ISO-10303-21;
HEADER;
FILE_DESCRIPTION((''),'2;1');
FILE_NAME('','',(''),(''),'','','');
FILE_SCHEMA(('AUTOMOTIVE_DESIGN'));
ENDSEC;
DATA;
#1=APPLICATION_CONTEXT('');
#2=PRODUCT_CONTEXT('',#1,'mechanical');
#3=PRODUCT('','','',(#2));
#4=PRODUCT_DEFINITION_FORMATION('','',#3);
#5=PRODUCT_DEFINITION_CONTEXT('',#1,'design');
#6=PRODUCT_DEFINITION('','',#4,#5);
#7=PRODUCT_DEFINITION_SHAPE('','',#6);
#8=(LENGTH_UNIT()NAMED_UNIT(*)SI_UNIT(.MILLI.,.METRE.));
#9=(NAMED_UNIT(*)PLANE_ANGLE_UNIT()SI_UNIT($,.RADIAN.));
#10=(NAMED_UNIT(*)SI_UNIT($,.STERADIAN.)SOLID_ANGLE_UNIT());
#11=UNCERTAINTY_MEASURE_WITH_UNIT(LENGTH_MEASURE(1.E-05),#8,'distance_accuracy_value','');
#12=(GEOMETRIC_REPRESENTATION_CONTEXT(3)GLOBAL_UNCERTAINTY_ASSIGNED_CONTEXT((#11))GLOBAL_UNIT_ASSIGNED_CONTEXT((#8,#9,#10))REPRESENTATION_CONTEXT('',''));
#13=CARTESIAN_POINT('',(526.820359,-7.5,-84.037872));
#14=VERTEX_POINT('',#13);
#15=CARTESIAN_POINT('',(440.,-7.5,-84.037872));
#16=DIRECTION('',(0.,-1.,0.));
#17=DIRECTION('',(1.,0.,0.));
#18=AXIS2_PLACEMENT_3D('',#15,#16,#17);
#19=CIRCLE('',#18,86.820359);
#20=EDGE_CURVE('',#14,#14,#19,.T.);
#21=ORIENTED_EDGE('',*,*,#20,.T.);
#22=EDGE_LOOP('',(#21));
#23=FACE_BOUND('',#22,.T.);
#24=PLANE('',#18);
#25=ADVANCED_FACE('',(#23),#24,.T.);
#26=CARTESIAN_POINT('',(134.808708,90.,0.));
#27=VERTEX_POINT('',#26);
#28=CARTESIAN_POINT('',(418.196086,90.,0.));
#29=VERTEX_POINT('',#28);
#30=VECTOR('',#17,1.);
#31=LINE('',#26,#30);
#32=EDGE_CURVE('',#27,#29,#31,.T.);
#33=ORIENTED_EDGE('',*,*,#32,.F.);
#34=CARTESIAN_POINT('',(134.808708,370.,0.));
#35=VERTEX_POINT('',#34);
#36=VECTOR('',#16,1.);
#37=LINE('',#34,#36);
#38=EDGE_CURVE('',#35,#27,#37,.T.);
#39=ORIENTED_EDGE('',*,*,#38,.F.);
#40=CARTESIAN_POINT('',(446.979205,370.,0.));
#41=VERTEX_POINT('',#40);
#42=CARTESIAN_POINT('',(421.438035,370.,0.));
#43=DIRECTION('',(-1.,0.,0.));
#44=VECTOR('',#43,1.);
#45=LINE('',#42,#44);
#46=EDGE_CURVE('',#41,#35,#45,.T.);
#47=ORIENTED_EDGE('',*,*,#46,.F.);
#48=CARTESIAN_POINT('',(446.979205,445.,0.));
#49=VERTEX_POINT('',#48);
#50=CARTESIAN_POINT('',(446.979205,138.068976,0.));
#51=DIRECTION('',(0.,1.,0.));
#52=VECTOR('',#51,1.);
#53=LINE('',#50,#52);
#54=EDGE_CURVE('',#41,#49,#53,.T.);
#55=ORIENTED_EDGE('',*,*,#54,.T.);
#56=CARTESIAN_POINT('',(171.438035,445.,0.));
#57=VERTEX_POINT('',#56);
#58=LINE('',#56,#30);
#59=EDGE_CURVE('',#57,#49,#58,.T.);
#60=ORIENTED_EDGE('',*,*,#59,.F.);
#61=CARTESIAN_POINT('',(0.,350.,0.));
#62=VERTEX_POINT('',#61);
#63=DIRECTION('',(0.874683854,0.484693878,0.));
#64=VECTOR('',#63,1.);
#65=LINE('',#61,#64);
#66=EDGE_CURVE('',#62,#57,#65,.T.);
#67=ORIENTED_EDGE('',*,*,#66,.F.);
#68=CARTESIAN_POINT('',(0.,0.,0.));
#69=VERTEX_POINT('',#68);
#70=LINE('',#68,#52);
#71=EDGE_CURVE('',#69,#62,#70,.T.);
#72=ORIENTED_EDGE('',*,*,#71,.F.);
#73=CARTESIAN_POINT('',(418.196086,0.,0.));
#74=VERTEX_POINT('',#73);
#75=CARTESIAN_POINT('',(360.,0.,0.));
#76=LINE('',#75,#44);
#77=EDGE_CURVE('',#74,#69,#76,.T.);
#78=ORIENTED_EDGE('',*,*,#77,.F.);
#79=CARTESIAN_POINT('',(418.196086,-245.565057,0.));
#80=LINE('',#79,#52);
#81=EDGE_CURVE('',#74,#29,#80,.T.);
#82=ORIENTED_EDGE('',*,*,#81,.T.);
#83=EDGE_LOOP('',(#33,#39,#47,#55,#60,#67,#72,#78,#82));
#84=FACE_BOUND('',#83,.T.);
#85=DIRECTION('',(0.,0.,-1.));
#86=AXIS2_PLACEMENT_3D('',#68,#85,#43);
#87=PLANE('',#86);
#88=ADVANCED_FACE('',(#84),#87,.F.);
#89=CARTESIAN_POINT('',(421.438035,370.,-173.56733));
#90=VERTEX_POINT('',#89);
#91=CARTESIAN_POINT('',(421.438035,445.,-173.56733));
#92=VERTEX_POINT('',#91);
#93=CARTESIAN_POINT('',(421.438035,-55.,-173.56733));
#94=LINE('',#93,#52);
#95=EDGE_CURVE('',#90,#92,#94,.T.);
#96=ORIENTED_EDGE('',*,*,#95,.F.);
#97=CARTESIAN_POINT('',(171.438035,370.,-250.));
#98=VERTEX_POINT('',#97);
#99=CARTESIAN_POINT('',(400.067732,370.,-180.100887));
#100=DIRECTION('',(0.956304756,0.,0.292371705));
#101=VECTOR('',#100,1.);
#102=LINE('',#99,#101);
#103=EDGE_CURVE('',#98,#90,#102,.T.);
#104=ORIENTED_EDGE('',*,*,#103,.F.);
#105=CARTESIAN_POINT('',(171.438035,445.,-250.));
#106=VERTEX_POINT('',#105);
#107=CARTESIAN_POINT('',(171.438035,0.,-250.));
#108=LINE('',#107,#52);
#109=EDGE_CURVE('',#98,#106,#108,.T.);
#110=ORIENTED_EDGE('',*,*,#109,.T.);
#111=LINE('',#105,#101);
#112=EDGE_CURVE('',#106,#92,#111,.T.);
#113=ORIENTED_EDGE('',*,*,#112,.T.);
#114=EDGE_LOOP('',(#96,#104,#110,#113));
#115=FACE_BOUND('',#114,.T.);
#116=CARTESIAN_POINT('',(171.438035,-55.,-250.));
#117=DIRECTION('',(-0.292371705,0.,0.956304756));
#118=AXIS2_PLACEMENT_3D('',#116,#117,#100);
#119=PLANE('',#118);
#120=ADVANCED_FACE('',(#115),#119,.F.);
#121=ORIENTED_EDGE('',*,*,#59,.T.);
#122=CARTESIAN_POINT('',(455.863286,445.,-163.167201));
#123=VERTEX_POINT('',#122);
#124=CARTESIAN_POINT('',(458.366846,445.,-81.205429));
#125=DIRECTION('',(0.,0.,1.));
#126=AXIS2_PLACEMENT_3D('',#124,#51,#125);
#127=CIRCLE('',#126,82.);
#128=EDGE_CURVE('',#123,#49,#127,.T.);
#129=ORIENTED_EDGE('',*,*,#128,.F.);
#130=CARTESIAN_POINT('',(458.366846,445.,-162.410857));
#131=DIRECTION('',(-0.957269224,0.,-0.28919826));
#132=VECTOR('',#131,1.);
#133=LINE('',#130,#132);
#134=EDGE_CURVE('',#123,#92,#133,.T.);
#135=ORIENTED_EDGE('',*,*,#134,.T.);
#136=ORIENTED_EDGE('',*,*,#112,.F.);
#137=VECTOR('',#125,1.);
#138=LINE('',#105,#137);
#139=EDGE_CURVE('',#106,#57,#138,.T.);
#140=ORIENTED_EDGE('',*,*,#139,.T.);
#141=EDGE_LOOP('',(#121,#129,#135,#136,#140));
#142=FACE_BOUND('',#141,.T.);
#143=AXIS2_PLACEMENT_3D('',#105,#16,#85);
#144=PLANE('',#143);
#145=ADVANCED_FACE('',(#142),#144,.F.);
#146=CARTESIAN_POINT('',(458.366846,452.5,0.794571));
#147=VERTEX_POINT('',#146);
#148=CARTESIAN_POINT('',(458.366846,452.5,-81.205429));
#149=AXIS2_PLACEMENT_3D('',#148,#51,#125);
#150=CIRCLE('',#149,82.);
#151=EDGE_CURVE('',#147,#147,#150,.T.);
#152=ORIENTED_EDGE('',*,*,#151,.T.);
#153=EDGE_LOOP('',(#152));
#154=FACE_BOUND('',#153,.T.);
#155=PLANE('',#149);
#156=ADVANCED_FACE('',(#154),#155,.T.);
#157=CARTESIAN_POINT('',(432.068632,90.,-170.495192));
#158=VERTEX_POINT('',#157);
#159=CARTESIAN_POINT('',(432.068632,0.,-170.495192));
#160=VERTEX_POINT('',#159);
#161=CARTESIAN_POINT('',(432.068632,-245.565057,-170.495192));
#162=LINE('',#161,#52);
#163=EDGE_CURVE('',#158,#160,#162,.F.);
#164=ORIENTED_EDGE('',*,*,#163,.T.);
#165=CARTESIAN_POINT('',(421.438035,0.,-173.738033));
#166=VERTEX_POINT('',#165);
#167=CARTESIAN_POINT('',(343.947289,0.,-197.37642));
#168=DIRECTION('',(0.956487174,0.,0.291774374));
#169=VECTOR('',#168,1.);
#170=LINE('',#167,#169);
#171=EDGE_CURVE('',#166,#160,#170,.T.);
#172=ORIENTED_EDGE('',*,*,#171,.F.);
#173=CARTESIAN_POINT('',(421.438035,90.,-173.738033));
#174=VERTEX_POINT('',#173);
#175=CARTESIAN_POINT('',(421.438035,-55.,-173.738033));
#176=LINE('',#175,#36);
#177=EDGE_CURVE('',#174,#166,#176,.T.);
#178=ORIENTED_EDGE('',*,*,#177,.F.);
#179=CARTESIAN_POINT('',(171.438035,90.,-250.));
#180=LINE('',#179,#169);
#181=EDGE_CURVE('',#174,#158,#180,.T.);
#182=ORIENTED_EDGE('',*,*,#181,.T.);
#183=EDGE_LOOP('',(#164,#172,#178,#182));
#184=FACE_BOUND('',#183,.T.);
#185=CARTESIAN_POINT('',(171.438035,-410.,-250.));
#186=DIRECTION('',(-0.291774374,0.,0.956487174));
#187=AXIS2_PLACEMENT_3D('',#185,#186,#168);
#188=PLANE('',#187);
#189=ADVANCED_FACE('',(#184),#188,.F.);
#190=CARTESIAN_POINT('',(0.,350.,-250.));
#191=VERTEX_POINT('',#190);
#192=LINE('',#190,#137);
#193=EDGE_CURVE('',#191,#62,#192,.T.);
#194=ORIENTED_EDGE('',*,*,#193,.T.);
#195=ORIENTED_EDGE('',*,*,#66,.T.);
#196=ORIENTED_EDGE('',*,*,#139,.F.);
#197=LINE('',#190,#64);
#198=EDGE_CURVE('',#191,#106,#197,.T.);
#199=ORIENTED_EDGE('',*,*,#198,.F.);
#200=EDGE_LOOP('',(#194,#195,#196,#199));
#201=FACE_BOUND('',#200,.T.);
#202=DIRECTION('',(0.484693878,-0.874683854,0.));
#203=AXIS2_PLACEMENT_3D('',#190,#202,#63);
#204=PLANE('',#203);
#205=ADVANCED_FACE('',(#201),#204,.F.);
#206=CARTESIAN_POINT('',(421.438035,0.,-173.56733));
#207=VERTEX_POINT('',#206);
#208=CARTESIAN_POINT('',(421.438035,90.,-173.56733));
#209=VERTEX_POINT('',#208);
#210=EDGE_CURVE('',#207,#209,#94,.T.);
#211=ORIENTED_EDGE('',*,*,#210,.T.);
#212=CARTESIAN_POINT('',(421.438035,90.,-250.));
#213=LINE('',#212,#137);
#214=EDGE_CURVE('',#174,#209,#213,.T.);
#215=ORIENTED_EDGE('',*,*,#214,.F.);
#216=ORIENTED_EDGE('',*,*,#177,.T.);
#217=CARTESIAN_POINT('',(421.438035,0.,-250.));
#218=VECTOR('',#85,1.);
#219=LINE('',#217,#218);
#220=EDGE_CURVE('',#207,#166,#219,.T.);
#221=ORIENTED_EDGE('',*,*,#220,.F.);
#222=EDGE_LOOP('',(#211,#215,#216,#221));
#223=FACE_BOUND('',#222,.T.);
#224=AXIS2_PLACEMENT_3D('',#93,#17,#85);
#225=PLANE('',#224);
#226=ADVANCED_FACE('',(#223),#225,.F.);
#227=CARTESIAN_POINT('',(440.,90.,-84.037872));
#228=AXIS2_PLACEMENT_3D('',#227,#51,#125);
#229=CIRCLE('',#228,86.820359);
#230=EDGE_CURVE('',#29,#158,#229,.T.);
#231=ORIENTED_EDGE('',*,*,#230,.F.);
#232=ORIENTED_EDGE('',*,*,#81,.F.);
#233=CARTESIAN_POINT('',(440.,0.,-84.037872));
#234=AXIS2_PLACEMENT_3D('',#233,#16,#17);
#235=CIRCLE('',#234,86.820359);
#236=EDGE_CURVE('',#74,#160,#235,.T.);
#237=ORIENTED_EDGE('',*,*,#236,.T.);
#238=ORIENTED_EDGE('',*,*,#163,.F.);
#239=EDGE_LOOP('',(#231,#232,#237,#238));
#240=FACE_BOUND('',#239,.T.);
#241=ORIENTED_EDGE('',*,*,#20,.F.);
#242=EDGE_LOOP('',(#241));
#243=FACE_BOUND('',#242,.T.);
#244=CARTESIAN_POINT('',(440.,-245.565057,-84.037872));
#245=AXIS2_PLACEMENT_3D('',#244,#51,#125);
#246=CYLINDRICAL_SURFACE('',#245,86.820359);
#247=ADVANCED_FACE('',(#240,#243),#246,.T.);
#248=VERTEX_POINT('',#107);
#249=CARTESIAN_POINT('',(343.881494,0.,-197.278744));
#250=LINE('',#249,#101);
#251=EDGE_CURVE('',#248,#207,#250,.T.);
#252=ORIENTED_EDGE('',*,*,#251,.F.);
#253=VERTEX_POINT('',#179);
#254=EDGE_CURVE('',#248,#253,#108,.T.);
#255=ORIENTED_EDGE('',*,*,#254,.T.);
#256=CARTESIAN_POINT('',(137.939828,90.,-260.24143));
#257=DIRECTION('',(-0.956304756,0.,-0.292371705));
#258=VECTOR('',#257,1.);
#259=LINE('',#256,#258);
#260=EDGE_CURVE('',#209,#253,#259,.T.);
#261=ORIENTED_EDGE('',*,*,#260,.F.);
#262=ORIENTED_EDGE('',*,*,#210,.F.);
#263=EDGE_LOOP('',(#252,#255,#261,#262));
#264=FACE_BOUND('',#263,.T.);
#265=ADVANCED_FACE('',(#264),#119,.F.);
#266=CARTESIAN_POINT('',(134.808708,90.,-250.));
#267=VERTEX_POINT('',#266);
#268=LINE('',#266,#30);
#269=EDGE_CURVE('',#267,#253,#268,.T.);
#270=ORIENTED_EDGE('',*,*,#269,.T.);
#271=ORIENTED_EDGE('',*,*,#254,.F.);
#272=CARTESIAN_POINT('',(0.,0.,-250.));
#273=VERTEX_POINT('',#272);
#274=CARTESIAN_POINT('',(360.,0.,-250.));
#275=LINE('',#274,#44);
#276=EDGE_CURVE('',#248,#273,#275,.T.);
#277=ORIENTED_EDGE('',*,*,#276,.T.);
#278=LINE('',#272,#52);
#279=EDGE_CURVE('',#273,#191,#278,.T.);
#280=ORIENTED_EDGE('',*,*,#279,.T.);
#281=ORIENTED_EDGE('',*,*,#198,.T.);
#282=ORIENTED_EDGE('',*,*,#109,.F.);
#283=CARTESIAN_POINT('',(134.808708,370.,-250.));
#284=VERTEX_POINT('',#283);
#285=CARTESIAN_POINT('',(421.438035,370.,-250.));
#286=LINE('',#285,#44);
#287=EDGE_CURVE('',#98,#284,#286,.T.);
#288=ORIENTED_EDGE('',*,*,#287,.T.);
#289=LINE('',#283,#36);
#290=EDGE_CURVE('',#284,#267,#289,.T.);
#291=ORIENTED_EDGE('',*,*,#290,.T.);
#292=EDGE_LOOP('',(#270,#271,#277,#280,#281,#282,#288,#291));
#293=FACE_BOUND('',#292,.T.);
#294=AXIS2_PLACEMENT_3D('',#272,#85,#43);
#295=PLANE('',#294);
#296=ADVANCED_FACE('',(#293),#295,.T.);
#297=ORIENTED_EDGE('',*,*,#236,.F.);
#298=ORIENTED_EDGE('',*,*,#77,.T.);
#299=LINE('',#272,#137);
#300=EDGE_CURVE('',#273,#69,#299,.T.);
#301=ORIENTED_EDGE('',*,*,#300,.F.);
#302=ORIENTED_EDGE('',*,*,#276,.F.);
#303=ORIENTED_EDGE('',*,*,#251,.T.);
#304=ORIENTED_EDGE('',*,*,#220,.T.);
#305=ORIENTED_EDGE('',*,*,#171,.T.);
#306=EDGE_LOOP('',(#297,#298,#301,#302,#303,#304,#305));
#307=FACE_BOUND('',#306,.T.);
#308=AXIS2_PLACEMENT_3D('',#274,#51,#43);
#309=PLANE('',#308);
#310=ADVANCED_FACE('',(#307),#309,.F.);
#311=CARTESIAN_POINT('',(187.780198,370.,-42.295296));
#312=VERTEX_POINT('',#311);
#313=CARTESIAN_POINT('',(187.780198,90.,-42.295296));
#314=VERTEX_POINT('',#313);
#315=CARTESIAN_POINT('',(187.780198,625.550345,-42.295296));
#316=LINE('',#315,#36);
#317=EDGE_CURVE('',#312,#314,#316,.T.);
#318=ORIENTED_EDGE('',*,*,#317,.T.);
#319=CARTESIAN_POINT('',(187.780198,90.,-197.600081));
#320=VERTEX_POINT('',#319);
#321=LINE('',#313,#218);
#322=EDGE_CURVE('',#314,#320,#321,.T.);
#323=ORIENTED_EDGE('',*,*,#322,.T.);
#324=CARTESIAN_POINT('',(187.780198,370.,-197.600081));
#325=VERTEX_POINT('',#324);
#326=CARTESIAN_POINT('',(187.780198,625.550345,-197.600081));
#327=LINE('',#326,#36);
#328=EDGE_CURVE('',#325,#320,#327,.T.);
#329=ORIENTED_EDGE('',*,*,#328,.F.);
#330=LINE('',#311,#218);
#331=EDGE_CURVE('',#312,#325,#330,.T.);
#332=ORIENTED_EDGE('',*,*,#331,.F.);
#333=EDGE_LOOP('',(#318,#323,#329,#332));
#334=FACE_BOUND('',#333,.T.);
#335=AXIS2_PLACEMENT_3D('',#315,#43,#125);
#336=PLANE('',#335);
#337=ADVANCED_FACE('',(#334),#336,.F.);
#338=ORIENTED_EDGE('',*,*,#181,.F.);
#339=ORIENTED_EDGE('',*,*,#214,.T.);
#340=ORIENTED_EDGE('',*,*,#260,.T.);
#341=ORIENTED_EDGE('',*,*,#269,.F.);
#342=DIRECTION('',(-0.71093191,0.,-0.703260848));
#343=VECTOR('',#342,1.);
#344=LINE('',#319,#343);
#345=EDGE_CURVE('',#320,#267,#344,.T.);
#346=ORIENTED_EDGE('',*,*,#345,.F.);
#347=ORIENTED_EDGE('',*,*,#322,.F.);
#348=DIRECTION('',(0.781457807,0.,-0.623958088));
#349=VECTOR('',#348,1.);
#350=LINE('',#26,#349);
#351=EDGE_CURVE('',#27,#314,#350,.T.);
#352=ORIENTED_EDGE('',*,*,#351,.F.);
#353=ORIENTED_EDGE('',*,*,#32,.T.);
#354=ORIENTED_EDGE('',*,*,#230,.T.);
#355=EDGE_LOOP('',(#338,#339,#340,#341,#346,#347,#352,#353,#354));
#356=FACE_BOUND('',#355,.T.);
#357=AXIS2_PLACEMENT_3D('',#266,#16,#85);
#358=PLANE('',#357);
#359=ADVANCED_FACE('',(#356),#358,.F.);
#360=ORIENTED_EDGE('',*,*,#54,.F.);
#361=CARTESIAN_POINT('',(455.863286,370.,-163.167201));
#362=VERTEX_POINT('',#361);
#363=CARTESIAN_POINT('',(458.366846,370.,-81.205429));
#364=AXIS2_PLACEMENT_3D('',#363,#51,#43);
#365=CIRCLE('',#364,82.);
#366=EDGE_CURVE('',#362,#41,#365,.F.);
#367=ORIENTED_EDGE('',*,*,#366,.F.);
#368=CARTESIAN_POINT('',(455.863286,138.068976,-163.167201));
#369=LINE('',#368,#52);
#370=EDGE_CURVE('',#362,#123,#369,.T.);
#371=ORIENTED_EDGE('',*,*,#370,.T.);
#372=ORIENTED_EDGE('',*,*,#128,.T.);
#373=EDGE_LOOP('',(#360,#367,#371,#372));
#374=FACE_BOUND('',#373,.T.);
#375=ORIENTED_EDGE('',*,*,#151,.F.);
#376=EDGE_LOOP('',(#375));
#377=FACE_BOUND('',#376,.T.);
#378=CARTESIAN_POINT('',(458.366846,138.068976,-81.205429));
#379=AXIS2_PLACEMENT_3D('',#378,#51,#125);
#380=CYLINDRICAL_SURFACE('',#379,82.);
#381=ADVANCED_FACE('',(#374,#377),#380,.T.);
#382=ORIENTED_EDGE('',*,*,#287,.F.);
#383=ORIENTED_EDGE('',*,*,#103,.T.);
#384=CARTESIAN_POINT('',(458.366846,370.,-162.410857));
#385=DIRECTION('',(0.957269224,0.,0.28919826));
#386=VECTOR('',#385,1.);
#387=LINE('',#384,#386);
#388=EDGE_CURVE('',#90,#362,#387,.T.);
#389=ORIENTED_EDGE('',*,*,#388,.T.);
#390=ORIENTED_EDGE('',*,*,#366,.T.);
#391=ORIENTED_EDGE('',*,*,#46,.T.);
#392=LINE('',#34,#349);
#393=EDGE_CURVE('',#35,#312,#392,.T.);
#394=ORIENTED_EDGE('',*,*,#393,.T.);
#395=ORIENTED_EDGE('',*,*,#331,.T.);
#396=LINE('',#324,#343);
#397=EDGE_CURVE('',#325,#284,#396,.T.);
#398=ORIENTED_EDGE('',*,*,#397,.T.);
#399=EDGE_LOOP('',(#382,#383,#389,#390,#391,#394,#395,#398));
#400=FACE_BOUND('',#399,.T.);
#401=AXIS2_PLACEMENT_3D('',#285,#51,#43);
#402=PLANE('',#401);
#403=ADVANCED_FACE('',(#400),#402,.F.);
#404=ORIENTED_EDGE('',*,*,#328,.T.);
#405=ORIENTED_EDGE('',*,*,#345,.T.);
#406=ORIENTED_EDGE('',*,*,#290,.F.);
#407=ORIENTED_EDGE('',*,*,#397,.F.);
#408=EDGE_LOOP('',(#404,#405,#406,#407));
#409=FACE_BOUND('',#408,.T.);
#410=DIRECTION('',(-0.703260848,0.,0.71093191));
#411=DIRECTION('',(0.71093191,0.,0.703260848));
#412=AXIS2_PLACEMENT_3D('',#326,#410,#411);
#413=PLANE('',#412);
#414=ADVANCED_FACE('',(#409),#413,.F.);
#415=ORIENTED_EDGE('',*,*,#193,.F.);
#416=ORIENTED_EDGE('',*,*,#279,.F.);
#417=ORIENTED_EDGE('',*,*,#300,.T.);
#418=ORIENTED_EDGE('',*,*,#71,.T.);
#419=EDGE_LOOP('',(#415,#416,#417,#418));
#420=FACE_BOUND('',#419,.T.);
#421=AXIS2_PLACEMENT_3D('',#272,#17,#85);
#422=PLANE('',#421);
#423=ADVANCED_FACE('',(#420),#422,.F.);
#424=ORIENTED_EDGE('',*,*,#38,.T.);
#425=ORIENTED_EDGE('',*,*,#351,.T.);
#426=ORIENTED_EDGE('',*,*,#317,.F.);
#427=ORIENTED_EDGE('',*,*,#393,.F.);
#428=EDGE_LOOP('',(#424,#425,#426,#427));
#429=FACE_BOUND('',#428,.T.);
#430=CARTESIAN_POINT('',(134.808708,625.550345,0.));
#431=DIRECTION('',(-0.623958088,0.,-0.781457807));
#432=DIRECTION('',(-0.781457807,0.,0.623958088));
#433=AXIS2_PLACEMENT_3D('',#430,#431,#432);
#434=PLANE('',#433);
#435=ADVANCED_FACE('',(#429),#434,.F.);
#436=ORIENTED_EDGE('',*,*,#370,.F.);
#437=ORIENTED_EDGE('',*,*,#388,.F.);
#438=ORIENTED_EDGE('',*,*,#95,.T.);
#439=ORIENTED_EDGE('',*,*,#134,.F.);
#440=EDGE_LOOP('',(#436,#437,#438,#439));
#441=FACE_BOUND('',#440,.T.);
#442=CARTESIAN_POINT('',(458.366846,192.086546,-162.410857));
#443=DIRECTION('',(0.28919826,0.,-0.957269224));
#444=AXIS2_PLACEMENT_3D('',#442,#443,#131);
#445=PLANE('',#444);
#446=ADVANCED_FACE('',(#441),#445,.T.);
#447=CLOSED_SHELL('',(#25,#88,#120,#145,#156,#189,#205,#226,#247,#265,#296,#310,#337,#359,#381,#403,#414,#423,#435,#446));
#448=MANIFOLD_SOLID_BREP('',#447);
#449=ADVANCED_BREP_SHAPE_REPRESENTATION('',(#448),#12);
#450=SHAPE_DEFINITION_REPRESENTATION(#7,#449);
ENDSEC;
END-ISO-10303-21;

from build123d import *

# Parameters (mm, degrees)
BOSS_EXTRUDE1_DEPTH = 250
SKETCH3_W           = 80
SKETCH3_H           = 90
BOSS_EXTRUDE3_DEPTH = 250
CUT_EXTRUDE1_DEPTH  = 500
CUT_EXTRUDE2_DEPTH  = 500
BOSS_EXTRUDE4_DEPTH = 75
SKETCH7_R           = 82
BOSS_EXTRUDE5_DEPTH = 75
SKETCH8_R           = 86.820358575
BOSS_EXTRUDE6_DEPTH = 90
BOSS_EXTRUDE7_START = 7.5
SKETCH9_R           = 82
BOSS_EXTRUDE7_DEPTH = 7.5
SKETCH10_R          = 86.820358575
BOSS_EXTRUDE8_DEPTH = 7.5
BOSS_EXTRUDE9_DEPTH = 280


with BuildPart() as part:
    # Sketch2 → Boss-Extrude1 (new body)
    with BuildSketch(Plane.XY):
        Polygon((0, 0), (0, 350), (171.438035453, 445), (421.438035453, 445), (421.438035453, 370), (134.808708212, 370), (134.808708212, 90), (360, 90), (360, 0), align=None)
    extrude(amount=-BOSS_EXTRUDE1_DEPTH)

    # Sketch3 → Boss-Extrude3 (add)
    with BuildSketch(Plane.XY):
        with Locations((400, 45)):
            Rectangle(SKETCH3_W, SKETCH3_H)
    extrude(amount=-BOSS_EXTRUDE3_DEPTH)

    # Sketch4 → Cut-Extrude1 (cut)
    with BuildSketch(Plane(origin=(0, 445, 0), x_dir=(1, 0, 0), z_dir=(0, 1, 0))):
        Polygon((171.438035453, 250), (421.438035453, 173.567329635), (421.438035453, 250), align=None)
    extrude(amount=-CUT_EXTRUDE1_DEPTH, mode=Mode.SUBTRACT)

    # Sketch5 → Cut-Extrude2 (cut)
    with BuildSketch(Plane(origin=(0, 90, 0), x_dir=(1, 0, 0), z_dir=(0, 1, 0))):
        Polygon((171.438035453, 250), (529.292603831, 140.837226457), (529.292603831, 329.490615835), align=None)
    extrude(amount=-CUT_EXTRUDE2_DEPTH, mode=Mode.SUBTRACT)

    # Sketch6 → Boss-Extrude4 (add)
    with BuildSketch(Plane(origin=(0, 445, 0), x_dir=(1, 0, 0), z_dir=(0, 1, 0))):
        Polygon((458.366845574, 162.410857278), (421.438035453, 173.567329635), (419.282590182, 0), (458.366845574, 0), align=None)
    extrude(amount=-BOSS_EXTRUDE4_DEPTH)

    # Sketch7 → Boss-Extrude5 (add)
    with BuildSketch(Plane(origin=(0, 445, 0), x_dir=(1, 0, 0), z_dir=(0, 1, 0))):
        with Locations((458.366845574, 81.205428639)):
            Circle(SKETCH7_R)
    extrude(amount=-BOSS_EXTRUDE5_DEPTH)

    # Sketch8 → Boss-Extrude6 (add)
    with BuildSketch(Plane(origin=(0, 90, 0), x_dir=(1, 0, 0), z_dir=(0, 1, 0))):
        with Locations((440, 84.037872492)):
            Circle(SKETCH8_R)
    extrude(amount=-BOSS_EXTRUDE6_DEPTH)

    # Sketch9 → Boss-Extrude7 (add)
    with BuildSketch(Plane(origin=(0, 445, 0), x_dir=(1, 0, 0), z_dir=(0, 1, 0)).offset(BOSS_EXTRUDE7_START)):
        with Locations(Location((458.366845574, 81.205428639, 0), (0, 0, 270))):
            Circle(SKETCH9_R)
    extrude(amount=-BOSS_EXTRUDE7_DEPTH)

    # Sketch10 → Boss-Extrude8 (add)
    with BuildSketch(Plane.XZ):
        with Locations(Location((440, -84.037872492, 0), (0, 0, 104.544878668))):
            Circle(SKETCH10_R)
    extrude(amount=BOSS_EXTRUDE8_DEPTH)

    # Sketch11 → Boss-Extrude9 (add)
    with BuildSketch(Plane(origin=(0, 90, 0), x_dir=(1, 0, 0), z_dir=(0, 1, 0))):
        Polygon((134.808708212, 0), (187.780197763, 42.295296089), (187.780197763, 197.600080779), (134.808708212, 250), align=None)
    extrude(amount=BOSS_EXTRUDE9_DEPTH)


solid = part.part
